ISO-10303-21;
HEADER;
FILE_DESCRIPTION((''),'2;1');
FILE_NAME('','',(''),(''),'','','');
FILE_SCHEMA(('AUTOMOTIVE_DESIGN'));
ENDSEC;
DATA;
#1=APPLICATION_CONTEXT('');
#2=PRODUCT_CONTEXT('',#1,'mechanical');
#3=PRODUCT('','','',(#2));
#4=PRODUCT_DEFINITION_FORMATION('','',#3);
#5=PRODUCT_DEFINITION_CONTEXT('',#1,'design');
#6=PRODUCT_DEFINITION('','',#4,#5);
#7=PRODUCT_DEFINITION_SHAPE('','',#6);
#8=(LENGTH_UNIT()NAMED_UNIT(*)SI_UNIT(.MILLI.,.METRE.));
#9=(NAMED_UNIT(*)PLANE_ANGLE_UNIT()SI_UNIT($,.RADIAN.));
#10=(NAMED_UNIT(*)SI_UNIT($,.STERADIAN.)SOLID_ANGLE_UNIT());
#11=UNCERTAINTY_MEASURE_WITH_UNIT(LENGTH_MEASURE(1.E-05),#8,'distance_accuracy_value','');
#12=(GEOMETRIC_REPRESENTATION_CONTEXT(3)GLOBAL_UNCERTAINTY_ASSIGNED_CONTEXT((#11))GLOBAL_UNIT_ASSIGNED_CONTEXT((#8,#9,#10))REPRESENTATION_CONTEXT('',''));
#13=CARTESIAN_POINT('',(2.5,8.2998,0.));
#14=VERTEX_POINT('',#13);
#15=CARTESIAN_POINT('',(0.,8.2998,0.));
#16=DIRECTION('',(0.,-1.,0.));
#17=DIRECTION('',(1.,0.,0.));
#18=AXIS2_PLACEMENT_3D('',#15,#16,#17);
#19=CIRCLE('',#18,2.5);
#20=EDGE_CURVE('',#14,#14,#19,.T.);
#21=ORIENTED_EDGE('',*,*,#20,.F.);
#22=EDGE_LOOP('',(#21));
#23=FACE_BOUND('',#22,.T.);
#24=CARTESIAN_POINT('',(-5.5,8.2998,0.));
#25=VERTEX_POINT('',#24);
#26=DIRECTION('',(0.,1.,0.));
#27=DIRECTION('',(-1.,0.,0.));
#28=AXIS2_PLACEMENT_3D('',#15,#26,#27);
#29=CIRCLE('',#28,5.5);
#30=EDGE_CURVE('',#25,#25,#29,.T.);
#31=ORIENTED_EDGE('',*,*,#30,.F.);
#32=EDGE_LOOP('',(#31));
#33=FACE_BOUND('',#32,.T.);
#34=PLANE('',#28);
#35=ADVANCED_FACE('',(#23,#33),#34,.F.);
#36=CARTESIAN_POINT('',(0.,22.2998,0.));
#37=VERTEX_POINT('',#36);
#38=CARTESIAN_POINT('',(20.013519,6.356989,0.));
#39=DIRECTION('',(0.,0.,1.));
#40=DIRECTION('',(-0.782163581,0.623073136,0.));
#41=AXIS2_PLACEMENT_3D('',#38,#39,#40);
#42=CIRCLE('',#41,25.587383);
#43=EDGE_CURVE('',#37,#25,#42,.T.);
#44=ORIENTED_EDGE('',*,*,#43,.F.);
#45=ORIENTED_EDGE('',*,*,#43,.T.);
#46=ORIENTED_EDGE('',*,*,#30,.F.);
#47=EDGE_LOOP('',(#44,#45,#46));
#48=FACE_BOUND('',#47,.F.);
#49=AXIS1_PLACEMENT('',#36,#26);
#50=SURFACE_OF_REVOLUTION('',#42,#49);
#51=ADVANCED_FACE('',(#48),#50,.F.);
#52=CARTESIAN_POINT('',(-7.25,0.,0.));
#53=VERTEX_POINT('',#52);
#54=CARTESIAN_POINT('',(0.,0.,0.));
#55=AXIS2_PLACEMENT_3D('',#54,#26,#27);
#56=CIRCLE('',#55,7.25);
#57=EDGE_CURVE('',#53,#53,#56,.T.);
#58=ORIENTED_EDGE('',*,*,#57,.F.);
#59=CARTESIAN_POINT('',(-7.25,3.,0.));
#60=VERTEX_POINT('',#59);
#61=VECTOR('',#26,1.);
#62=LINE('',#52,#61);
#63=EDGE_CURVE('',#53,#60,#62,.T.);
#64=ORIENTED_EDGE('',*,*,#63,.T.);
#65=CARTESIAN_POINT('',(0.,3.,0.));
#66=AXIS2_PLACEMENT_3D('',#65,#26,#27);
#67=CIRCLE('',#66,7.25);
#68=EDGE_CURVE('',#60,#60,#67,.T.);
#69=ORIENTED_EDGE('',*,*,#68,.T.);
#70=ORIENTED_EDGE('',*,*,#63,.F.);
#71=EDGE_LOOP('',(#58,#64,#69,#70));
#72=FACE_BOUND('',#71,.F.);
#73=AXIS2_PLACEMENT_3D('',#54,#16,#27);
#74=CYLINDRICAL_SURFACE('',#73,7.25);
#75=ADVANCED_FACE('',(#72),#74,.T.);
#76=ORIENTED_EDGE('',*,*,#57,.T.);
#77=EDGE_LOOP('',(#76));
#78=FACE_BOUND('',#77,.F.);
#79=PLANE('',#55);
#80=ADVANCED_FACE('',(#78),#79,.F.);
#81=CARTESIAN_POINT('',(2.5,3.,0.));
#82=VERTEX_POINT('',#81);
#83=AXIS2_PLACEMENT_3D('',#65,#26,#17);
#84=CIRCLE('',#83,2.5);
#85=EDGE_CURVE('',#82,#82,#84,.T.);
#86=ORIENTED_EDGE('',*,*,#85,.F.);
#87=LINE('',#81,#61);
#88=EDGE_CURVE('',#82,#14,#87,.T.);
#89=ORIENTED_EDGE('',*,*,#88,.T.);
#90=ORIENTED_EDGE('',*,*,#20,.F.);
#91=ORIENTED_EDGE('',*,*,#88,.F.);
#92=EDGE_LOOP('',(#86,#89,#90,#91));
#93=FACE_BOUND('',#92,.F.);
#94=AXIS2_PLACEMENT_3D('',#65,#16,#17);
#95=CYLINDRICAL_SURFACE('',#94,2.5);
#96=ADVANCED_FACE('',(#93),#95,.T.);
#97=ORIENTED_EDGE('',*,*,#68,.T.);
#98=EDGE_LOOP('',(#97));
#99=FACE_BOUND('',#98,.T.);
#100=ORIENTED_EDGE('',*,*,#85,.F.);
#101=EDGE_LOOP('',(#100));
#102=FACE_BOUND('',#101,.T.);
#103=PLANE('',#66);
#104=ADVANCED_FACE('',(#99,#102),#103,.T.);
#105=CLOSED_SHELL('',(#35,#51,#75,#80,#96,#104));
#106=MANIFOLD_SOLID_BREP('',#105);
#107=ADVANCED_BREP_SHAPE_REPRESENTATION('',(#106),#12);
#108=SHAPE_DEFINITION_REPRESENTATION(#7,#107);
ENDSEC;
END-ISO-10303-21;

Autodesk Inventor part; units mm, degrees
ref_plane "YZ Plane" through (0, 0, 0) normal (1, 0, 0) x (0, 1, 0)
ref_plane "XZ Plane" through (0, 0, 0) normal (0, 1, 0) x (-1, 0, 0)
sketch "Sketch1" plane through (0, 0, 0) normal (0, 1, 0) x (-1, 0, 0)
  circle A0 centre (0, 0) radius 7.25
  dimension "d0" = 14.5
extrude "Extrusion1" add sketch "Sketch1" along normal blind 3
sketch "Sketch2" plane through (0, 3, 0) normal (0, 1, 0) x (1, 0, 0)
  circle A0 centre (0, 0) radius 2.5
  dimension "d3" = 5
extrude "Extrusion2" add sketch "Sketch2" along normal blind 14.7
ref_plane "Work Plane1" through (0, 8.3, 0) normal (0, 1, 0) x (1, 0, 0)
sketch "Sketch4" plane through (0, 0, 0) normal (0, 0, 1) x (1, 0, 0)
  line L0 (0, 0) -> (0, 8.2998)
  line L1 (0, 8.2998) -> (-5.5, 8.2998)
  line L2 (2.5, 17.7) -> (-2.5, 17.7) projected
  line L3 (0, 22.2998) -> (0, 8.2998)
  arc A0 (0, 22.2998) -> (-5.5, 8.2998) centre (20.0135, 6.357) ccw
  line L4 (0, 22.2998) -> (0, 30.2311)
  dimension "d8" = 5.5
  dimension "d9" = 14
revolve "Revolution1" add sketch "Sketch4" angle 360 about axis through (0, 22.2998, 0) along (0, 1, 0)
properties part number "MotorMountingHub"
